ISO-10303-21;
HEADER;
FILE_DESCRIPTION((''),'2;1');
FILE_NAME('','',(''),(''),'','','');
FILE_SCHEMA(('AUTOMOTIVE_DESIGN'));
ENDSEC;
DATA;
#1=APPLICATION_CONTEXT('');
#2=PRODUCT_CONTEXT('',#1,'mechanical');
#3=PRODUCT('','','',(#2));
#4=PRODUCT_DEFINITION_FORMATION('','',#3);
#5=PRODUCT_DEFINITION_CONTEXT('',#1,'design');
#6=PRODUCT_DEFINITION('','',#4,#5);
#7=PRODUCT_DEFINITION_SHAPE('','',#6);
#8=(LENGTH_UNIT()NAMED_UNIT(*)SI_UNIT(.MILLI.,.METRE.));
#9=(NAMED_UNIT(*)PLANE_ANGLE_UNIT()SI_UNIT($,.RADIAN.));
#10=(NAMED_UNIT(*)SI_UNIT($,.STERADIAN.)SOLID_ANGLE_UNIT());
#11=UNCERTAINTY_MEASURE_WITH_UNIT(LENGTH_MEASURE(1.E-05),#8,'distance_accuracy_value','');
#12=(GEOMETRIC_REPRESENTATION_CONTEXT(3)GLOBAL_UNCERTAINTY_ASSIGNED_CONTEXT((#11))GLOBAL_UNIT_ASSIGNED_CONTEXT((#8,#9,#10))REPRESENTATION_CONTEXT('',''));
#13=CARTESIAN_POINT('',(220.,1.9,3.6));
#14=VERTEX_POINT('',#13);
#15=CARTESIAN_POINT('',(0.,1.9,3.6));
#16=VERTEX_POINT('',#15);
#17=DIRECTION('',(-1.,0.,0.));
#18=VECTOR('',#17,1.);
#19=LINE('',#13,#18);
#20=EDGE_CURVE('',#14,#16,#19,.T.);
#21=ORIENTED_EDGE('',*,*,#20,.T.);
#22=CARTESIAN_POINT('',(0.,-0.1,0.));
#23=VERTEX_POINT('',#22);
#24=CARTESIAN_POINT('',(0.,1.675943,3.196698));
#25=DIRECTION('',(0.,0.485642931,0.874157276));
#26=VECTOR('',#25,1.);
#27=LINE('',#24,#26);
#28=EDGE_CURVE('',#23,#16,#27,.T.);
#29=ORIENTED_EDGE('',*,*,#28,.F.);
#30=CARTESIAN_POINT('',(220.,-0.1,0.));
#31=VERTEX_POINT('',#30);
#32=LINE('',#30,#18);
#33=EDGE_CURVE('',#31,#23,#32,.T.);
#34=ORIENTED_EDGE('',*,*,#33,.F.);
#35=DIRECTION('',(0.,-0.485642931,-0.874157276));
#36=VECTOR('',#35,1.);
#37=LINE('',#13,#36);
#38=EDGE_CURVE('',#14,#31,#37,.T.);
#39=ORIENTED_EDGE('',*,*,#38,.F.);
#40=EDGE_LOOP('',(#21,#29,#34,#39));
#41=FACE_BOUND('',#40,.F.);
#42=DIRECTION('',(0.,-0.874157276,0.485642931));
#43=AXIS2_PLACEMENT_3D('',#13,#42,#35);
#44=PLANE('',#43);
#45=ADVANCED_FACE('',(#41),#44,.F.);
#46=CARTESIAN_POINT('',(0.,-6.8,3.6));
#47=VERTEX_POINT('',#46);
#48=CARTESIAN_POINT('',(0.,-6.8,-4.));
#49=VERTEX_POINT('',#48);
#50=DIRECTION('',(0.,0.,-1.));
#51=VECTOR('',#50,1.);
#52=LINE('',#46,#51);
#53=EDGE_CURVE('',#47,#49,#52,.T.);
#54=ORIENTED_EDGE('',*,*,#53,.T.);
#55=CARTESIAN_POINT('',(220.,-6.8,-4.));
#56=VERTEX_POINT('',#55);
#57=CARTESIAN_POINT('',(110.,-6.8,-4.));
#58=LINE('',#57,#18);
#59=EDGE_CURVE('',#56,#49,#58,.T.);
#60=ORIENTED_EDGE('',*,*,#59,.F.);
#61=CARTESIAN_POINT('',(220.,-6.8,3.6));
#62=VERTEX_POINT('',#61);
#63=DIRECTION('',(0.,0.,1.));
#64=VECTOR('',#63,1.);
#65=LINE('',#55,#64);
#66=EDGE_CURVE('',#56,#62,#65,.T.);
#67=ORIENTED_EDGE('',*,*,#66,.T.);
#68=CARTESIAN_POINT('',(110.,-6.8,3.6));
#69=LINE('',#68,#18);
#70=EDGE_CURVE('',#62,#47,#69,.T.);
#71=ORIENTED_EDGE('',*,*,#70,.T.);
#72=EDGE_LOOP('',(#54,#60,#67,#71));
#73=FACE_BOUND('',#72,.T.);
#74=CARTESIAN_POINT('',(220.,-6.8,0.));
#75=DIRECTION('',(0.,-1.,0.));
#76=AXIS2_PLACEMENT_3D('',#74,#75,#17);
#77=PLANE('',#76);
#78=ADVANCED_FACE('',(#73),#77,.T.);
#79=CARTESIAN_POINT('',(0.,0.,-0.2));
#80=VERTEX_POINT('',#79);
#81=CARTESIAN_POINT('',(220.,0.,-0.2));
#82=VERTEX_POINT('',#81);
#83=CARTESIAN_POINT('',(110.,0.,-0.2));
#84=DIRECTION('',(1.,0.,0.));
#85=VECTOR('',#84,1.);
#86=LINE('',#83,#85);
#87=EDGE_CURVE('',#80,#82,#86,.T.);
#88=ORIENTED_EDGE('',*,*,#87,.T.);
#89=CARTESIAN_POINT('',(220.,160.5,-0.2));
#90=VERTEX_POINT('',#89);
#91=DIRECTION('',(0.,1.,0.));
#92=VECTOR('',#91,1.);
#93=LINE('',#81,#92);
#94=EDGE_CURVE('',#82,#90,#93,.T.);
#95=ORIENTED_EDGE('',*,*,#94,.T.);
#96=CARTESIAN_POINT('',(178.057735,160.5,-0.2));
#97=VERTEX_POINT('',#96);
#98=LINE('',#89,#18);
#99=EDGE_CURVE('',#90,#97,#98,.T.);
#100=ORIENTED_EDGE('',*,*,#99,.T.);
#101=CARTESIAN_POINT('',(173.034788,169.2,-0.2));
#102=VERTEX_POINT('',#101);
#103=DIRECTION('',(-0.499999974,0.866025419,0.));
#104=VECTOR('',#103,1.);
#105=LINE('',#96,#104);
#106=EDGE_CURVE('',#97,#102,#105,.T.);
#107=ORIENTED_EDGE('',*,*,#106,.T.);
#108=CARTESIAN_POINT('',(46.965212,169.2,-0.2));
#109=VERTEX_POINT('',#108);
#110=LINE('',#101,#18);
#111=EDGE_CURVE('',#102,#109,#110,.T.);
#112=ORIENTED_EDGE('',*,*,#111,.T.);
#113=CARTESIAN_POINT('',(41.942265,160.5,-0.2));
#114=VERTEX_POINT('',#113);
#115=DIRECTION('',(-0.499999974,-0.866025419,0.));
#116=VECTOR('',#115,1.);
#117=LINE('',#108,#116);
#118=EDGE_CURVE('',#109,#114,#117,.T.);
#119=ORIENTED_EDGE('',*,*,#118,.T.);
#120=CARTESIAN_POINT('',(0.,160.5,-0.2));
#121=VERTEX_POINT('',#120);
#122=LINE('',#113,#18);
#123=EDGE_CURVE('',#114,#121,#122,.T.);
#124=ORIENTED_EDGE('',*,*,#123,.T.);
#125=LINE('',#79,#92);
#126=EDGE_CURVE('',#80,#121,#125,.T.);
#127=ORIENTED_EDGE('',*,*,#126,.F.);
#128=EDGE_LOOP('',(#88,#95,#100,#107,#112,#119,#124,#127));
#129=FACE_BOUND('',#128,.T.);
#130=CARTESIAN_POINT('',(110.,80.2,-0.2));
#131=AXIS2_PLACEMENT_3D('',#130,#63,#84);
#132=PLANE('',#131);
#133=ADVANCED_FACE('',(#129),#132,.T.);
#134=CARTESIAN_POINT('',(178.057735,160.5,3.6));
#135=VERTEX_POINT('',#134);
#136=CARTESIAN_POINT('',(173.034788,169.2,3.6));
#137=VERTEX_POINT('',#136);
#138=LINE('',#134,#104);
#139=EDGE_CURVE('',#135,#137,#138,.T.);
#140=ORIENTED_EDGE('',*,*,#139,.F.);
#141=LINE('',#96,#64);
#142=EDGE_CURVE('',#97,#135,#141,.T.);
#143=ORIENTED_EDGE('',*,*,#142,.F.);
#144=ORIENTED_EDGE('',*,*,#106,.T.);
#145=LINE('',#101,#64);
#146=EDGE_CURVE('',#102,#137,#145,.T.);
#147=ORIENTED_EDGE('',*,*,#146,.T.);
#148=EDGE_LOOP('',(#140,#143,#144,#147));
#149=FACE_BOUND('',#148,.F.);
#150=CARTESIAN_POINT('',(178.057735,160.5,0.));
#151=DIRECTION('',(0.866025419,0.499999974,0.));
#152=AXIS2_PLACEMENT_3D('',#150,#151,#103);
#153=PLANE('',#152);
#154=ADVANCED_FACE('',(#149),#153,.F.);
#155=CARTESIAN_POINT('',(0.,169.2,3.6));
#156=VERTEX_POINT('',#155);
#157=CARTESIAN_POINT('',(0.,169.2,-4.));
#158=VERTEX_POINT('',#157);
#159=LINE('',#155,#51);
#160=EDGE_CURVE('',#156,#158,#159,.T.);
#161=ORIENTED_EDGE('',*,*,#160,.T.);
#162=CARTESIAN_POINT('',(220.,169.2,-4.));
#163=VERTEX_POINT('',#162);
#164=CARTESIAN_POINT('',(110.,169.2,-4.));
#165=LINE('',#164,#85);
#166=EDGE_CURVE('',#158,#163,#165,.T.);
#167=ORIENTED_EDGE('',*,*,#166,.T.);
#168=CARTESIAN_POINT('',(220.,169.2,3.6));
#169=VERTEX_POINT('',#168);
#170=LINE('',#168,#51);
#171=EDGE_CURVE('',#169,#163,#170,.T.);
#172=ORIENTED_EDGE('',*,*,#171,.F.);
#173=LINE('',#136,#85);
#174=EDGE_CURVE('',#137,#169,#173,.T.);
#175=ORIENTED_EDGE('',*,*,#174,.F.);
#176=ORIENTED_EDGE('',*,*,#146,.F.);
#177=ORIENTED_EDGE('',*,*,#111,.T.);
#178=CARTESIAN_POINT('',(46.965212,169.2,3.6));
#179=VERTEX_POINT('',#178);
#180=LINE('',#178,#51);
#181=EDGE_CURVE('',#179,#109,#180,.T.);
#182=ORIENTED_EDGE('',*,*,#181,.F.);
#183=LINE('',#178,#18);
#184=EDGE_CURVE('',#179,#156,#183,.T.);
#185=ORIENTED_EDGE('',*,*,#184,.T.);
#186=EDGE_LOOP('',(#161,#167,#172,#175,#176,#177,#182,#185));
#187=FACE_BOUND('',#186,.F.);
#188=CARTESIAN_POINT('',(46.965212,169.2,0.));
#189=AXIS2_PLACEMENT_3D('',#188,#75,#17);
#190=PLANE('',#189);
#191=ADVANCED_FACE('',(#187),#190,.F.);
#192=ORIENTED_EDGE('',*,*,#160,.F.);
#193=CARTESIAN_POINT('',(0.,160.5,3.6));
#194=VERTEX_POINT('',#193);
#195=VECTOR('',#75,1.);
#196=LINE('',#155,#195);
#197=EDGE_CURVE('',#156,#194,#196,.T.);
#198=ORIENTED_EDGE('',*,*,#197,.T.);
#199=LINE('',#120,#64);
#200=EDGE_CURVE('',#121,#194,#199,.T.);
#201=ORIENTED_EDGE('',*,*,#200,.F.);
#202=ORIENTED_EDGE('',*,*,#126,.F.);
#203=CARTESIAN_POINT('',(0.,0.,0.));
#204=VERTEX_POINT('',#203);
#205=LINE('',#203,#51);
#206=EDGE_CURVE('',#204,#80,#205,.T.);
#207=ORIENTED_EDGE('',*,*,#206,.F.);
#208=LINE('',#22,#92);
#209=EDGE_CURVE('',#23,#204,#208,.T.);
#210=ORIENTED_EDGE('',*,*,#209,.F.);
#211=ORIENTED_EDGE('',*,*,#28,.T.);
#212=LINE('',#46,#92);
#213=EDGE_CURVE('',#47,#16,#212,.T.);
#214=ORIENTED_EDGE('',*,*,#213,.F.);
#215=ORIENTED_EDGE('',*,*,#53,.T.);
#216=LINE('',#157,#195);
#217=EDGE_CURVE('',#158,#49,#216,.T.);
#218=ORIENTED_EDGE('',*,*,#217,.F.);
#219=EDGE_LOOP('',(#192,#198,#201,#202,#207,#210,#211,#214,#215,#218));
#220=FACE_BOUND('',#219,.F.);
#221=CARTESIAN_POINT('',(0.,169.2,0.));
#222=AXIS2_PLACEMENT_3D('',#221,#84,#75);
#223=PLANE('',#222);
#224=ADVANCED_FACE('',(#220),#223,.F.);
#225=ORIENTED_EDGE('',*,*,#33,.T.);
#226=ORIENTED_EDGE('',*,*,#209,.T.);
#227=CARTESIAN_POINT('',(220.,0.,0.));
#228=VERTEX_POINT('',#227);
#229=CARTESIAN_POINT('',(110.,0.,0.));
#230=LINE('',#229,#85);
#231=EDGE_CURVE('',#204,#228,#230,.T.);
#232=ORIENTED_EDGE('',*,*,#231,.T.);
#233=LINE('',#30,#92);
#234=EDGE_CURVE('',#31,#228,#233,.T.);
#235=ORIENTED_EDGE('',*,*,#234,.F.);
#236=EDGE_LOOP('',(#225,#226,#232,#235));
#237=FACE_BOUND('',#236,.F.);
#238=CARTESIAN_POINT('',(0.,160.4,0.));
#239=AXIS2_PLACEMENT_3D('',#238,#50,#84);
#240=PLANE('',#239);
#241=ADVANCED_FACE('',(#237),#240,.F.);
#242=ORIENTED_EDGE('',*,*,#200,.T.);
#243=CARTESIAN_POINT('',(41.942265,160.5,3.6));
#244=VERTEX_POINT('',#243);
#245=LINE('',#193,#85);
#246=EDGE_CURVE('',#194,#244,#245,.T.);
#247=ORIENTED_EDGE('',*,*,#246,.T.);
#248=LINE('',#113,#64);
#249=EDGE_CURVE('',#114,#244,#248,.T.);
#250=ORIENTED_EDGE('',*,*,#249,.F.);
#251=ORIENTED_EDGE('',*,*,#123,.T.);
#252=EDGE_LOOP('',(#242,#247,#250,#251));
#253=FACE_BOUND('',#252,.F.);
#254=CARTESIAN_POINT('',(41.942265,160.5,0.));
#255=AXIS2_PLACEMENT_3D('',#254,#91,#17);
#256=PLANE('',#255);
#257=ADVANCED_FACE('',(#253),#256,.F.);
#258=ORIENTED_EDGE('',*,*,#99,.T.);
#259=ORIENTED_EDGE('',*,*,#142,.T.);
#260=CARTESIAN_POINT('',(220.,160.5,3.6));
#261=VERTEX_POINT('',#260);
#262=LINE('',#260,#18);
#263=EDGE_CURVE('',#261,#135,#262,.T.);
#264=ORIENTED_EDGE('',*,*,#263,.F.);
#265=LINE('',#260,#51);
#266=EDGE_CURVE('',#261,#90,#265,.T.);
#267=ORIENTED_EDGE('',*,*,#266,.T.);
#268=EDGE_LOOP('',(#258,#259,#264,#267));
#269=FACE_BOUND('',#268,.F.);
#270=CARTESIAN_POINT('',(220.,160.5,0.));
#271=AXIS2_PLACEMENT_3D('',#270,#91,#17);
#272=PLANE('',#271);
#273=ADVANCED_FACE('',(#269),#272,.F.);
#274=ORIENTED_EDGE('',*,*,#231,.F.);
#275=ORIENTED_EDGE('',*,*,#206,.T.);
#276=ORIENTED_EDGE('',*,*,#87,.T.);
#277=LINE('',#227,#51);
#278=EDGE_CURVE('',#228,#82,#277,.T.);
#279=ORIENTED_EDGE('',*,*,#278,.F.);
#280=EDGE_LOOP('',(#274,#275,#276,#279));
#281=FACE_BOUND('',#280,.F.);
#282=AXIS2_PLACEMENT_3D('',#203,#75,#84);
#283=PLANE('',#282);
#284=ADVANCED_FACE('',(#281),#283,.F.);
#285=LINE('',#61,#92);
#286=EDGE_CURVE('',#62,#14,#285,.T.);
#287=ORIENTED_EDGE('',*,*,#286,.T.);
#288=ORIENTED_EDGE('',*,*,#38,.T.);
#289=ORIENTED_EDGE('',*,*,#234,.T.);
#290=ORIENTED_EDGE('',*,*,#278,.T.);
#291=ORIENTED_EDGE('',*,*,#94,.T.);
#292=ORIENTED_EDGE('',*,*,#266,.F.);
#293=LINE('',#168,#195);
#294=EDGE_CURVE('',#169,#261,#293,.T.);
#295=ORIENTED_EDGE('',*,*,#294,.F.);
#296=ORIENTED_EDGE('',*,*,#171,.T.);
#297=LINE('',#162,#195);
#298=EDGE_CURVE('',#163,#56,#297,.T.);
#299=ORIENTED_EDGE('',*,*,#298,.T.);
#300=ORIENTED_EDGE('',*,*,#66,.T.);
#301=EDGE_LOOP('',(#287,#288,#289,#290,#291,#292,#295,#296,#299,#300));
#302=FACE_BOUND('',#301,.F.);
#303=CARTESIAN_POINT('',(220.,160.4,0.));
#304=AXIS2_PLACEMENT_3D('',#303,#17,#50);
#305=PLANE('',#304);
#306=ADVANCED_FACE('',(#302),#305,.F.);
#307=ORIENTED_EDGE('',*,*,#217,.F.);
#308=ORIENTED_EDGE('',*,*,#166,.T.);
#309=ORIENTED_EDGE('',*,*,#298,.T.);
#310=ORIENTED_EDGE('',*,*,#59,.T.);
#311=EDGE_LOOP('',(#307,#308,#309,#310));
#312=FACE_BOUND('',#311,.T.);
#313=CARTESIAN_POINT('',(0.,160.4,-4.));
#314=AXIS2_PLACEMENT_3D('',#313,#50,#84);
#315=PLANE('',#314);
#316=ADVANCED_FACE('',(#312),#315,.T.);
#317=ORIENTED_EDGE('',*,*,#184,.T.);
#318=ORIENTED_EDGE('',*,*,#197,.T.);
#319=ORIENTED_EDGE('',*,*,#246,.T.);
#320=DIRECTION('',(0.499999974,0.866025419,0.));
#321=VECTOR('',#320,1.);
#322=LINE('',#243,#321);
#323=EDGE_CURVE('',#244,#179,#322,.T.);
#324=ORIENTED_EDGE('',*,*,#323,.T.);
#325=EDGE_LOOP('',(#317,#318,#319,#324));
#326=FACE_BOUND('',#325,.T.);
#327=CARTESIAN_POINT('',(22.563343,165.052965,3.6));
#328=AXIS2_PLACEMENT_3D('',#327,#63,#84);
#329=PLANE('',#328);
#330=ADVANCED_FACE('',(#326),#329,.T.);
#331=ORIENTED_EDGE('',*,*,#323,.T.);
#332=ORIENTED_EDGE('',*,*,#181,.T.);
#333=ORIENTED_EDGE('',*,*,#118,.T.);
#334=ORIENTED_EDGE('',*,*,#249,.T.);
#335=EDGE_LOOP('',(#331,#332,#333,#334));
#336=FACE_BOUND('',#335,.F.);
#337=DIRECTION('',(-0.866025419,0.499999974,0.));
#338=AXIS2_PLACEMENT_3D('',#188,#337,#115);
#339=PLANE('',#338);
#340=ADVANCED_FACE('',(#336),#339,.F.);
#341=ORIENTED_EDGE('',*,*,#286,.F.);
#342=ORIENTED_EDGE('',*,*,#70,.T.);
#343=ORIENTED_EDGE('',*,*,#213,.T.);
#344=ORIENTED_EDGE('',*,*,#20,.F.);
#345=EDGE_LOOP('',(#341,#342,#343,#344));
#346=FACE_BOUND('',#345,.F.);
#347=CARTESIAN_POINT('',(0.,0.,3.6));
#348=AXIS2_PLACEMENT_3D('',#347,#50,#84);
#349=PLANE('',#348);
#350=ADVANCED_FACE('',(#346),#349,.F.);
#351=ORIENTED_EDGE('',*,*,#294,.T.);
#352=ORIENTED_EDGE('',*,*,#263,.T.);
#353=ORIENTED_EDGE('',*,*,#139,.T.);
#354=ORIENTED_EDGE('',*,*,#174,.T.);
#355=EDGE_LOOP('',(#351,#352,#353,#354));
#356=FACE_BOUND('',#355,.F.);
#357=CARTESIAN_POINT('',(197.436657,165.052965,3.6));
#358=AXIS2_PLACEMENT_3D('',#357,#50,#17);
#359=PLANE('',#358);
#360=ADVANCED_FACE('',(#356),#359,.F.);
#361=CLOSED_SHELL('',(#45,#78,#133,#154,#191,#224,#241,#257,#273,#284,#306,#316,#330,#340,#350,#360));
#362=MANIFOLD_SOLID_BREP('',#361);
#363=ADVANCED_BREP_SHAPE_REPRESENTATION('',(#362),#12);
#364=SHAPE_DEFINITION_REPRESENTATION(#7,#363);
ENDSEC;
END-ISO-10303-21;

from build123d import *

# Parameters (mm, degrees)
SKETCH005_W       = 220
SKETCH005_H       = 160.4
PAD004_DEPTH      = 4
PAD004_FACE3_W    = 220
PAD004_FACE3_H    = 4
PAD005_DEPTH      = 6.8
PAD005_FACE8_W    = 6.8
PAD005_FACE8_H    = 220
PAD006_DEPTH      = 3.6
PAD006_FACE8_W    = 220
PAD006_FACE8_H    = 3.6
PAD007_DEPTH      = 2
POCKET002_DEPTH   = 220.001
POCKET002_FACE1_W = 220
POCKET002_FACE1_H = 4
PAD008_DEPTH      = 8.8
PAD009_DEPTH      = 3.6
SKETCH008_W       = 220
SKETCH008_H       = 160.4
POCKET003_DEPTH   = 0.2
POCKET006_DEPTH   = 0.2


with BuildPart() as part:
    # Sketch005 → Pad004 (new body)
    with BuildSketch(Plane.XY):
        with Locations((110, 80.2)):
            Rectangle(SKETCH005_W, SKETCH005_H)
    extrude(amount=-PAD004_DEPTH)

    # Pad004 Face3 → Pad005 (add)
    with BuildSketch(Plane(origin=(110, 0, -2), x_dir=(-1, 0, 0), z_dir=(0, -1, 0))):
        Rectangle(PAD004_FACE3_W, PAD004_FACE3_H)
    extrude(amount=PAD005_DEPTH)

    # Pad005 Face8 → Pad006 (add)
    with BuildSketch(Plane(origin=(110, -3.4, 0), x_dir=(0, 1, 0), z_dir=(0, 0, 1))):
        Rectangle(PAD005_FACE8_W, PAD005_FACE8_H)
    extrude(amount=PAD006_DEPTH)

    # Pad006 Face8 → Pad007 (add)
    with BuildSketch(Plane(origin=(110, 0, 1.8), x_dir=(1, 0, 0), z_dir=(0, 1, 0))):
        Rectangle(PAD006_FACE8_W, PAD006_FACE8_H)
    extrude(amount=PAD007_DEPTH)

    # Sketch006 (on Face9 of Pad007) → Pocket002 (cut, through all)
    with BuildSketch(Plane.YZ.offset(220)):
        Polygon((-0.1, 0), (2, 0), (2, 3.6), (1.9, 3.6), align=None)
    extrude(amount=-POCKET002_DEPTH, mode=Mode.SUBTRACT)

    # Pocket002 Face1 → Pad008 (add)
    with BuildSketch(Plane(origin=(110, 160.4, -2), x_dir=(1, 0, 0), z_dir=(0, 1, 0))):
        Rectangle(POCKET002_FACE1_W, POCKET002_FACE1_H)
    extrude(amount=PAD008_DEPTH)

    # Sketch007 (on Face10 of Pad008) → Pad009 (join)
    with BuildSketch(Plane.XY):
        Polygon((0, 169.2), (0, 160.5), (41.942265, 160.5), (46.965212, 169.2), align=None)
        Polygon((173.034788, 169.2), (220, 169.2), (220, 160.5), (178.057735, 160.5), align=None)
    extrude(amount=PAD009_DEPTH)

    # Sketch008 (on Face5 of Pad009) → Pocket003 (cut)
    with BuildSketch(Plane.XY):
        with Locations((110, 80.2)):
            Rectangle(SKETCH008_W, SKETCH008_H)
    extrude(amount=-POCKET003_DEPTH, mode=Mode.SUBTRACT)

    # Pocket003 Face2 → Pocket006 (cut)
    with BuildSketch(Plane(origin=(110, 164.712225, 0), x_dir=(0, 1, 0), z_dir=(0, 0, 1))):
        Polygon((-4.312225, 110), (-4.312225, -110), (-4.212225, -110), (-4.212225, -68.057735), (4.487775, -63.034788), (4.487775, 63.034788), (-4.212225, 68.057735), (-4.212225, 110), align=None)
    extrude(amount=-POCKET006_DEPTH, mode=Mode.SUBTRACT)


solid = part.part
